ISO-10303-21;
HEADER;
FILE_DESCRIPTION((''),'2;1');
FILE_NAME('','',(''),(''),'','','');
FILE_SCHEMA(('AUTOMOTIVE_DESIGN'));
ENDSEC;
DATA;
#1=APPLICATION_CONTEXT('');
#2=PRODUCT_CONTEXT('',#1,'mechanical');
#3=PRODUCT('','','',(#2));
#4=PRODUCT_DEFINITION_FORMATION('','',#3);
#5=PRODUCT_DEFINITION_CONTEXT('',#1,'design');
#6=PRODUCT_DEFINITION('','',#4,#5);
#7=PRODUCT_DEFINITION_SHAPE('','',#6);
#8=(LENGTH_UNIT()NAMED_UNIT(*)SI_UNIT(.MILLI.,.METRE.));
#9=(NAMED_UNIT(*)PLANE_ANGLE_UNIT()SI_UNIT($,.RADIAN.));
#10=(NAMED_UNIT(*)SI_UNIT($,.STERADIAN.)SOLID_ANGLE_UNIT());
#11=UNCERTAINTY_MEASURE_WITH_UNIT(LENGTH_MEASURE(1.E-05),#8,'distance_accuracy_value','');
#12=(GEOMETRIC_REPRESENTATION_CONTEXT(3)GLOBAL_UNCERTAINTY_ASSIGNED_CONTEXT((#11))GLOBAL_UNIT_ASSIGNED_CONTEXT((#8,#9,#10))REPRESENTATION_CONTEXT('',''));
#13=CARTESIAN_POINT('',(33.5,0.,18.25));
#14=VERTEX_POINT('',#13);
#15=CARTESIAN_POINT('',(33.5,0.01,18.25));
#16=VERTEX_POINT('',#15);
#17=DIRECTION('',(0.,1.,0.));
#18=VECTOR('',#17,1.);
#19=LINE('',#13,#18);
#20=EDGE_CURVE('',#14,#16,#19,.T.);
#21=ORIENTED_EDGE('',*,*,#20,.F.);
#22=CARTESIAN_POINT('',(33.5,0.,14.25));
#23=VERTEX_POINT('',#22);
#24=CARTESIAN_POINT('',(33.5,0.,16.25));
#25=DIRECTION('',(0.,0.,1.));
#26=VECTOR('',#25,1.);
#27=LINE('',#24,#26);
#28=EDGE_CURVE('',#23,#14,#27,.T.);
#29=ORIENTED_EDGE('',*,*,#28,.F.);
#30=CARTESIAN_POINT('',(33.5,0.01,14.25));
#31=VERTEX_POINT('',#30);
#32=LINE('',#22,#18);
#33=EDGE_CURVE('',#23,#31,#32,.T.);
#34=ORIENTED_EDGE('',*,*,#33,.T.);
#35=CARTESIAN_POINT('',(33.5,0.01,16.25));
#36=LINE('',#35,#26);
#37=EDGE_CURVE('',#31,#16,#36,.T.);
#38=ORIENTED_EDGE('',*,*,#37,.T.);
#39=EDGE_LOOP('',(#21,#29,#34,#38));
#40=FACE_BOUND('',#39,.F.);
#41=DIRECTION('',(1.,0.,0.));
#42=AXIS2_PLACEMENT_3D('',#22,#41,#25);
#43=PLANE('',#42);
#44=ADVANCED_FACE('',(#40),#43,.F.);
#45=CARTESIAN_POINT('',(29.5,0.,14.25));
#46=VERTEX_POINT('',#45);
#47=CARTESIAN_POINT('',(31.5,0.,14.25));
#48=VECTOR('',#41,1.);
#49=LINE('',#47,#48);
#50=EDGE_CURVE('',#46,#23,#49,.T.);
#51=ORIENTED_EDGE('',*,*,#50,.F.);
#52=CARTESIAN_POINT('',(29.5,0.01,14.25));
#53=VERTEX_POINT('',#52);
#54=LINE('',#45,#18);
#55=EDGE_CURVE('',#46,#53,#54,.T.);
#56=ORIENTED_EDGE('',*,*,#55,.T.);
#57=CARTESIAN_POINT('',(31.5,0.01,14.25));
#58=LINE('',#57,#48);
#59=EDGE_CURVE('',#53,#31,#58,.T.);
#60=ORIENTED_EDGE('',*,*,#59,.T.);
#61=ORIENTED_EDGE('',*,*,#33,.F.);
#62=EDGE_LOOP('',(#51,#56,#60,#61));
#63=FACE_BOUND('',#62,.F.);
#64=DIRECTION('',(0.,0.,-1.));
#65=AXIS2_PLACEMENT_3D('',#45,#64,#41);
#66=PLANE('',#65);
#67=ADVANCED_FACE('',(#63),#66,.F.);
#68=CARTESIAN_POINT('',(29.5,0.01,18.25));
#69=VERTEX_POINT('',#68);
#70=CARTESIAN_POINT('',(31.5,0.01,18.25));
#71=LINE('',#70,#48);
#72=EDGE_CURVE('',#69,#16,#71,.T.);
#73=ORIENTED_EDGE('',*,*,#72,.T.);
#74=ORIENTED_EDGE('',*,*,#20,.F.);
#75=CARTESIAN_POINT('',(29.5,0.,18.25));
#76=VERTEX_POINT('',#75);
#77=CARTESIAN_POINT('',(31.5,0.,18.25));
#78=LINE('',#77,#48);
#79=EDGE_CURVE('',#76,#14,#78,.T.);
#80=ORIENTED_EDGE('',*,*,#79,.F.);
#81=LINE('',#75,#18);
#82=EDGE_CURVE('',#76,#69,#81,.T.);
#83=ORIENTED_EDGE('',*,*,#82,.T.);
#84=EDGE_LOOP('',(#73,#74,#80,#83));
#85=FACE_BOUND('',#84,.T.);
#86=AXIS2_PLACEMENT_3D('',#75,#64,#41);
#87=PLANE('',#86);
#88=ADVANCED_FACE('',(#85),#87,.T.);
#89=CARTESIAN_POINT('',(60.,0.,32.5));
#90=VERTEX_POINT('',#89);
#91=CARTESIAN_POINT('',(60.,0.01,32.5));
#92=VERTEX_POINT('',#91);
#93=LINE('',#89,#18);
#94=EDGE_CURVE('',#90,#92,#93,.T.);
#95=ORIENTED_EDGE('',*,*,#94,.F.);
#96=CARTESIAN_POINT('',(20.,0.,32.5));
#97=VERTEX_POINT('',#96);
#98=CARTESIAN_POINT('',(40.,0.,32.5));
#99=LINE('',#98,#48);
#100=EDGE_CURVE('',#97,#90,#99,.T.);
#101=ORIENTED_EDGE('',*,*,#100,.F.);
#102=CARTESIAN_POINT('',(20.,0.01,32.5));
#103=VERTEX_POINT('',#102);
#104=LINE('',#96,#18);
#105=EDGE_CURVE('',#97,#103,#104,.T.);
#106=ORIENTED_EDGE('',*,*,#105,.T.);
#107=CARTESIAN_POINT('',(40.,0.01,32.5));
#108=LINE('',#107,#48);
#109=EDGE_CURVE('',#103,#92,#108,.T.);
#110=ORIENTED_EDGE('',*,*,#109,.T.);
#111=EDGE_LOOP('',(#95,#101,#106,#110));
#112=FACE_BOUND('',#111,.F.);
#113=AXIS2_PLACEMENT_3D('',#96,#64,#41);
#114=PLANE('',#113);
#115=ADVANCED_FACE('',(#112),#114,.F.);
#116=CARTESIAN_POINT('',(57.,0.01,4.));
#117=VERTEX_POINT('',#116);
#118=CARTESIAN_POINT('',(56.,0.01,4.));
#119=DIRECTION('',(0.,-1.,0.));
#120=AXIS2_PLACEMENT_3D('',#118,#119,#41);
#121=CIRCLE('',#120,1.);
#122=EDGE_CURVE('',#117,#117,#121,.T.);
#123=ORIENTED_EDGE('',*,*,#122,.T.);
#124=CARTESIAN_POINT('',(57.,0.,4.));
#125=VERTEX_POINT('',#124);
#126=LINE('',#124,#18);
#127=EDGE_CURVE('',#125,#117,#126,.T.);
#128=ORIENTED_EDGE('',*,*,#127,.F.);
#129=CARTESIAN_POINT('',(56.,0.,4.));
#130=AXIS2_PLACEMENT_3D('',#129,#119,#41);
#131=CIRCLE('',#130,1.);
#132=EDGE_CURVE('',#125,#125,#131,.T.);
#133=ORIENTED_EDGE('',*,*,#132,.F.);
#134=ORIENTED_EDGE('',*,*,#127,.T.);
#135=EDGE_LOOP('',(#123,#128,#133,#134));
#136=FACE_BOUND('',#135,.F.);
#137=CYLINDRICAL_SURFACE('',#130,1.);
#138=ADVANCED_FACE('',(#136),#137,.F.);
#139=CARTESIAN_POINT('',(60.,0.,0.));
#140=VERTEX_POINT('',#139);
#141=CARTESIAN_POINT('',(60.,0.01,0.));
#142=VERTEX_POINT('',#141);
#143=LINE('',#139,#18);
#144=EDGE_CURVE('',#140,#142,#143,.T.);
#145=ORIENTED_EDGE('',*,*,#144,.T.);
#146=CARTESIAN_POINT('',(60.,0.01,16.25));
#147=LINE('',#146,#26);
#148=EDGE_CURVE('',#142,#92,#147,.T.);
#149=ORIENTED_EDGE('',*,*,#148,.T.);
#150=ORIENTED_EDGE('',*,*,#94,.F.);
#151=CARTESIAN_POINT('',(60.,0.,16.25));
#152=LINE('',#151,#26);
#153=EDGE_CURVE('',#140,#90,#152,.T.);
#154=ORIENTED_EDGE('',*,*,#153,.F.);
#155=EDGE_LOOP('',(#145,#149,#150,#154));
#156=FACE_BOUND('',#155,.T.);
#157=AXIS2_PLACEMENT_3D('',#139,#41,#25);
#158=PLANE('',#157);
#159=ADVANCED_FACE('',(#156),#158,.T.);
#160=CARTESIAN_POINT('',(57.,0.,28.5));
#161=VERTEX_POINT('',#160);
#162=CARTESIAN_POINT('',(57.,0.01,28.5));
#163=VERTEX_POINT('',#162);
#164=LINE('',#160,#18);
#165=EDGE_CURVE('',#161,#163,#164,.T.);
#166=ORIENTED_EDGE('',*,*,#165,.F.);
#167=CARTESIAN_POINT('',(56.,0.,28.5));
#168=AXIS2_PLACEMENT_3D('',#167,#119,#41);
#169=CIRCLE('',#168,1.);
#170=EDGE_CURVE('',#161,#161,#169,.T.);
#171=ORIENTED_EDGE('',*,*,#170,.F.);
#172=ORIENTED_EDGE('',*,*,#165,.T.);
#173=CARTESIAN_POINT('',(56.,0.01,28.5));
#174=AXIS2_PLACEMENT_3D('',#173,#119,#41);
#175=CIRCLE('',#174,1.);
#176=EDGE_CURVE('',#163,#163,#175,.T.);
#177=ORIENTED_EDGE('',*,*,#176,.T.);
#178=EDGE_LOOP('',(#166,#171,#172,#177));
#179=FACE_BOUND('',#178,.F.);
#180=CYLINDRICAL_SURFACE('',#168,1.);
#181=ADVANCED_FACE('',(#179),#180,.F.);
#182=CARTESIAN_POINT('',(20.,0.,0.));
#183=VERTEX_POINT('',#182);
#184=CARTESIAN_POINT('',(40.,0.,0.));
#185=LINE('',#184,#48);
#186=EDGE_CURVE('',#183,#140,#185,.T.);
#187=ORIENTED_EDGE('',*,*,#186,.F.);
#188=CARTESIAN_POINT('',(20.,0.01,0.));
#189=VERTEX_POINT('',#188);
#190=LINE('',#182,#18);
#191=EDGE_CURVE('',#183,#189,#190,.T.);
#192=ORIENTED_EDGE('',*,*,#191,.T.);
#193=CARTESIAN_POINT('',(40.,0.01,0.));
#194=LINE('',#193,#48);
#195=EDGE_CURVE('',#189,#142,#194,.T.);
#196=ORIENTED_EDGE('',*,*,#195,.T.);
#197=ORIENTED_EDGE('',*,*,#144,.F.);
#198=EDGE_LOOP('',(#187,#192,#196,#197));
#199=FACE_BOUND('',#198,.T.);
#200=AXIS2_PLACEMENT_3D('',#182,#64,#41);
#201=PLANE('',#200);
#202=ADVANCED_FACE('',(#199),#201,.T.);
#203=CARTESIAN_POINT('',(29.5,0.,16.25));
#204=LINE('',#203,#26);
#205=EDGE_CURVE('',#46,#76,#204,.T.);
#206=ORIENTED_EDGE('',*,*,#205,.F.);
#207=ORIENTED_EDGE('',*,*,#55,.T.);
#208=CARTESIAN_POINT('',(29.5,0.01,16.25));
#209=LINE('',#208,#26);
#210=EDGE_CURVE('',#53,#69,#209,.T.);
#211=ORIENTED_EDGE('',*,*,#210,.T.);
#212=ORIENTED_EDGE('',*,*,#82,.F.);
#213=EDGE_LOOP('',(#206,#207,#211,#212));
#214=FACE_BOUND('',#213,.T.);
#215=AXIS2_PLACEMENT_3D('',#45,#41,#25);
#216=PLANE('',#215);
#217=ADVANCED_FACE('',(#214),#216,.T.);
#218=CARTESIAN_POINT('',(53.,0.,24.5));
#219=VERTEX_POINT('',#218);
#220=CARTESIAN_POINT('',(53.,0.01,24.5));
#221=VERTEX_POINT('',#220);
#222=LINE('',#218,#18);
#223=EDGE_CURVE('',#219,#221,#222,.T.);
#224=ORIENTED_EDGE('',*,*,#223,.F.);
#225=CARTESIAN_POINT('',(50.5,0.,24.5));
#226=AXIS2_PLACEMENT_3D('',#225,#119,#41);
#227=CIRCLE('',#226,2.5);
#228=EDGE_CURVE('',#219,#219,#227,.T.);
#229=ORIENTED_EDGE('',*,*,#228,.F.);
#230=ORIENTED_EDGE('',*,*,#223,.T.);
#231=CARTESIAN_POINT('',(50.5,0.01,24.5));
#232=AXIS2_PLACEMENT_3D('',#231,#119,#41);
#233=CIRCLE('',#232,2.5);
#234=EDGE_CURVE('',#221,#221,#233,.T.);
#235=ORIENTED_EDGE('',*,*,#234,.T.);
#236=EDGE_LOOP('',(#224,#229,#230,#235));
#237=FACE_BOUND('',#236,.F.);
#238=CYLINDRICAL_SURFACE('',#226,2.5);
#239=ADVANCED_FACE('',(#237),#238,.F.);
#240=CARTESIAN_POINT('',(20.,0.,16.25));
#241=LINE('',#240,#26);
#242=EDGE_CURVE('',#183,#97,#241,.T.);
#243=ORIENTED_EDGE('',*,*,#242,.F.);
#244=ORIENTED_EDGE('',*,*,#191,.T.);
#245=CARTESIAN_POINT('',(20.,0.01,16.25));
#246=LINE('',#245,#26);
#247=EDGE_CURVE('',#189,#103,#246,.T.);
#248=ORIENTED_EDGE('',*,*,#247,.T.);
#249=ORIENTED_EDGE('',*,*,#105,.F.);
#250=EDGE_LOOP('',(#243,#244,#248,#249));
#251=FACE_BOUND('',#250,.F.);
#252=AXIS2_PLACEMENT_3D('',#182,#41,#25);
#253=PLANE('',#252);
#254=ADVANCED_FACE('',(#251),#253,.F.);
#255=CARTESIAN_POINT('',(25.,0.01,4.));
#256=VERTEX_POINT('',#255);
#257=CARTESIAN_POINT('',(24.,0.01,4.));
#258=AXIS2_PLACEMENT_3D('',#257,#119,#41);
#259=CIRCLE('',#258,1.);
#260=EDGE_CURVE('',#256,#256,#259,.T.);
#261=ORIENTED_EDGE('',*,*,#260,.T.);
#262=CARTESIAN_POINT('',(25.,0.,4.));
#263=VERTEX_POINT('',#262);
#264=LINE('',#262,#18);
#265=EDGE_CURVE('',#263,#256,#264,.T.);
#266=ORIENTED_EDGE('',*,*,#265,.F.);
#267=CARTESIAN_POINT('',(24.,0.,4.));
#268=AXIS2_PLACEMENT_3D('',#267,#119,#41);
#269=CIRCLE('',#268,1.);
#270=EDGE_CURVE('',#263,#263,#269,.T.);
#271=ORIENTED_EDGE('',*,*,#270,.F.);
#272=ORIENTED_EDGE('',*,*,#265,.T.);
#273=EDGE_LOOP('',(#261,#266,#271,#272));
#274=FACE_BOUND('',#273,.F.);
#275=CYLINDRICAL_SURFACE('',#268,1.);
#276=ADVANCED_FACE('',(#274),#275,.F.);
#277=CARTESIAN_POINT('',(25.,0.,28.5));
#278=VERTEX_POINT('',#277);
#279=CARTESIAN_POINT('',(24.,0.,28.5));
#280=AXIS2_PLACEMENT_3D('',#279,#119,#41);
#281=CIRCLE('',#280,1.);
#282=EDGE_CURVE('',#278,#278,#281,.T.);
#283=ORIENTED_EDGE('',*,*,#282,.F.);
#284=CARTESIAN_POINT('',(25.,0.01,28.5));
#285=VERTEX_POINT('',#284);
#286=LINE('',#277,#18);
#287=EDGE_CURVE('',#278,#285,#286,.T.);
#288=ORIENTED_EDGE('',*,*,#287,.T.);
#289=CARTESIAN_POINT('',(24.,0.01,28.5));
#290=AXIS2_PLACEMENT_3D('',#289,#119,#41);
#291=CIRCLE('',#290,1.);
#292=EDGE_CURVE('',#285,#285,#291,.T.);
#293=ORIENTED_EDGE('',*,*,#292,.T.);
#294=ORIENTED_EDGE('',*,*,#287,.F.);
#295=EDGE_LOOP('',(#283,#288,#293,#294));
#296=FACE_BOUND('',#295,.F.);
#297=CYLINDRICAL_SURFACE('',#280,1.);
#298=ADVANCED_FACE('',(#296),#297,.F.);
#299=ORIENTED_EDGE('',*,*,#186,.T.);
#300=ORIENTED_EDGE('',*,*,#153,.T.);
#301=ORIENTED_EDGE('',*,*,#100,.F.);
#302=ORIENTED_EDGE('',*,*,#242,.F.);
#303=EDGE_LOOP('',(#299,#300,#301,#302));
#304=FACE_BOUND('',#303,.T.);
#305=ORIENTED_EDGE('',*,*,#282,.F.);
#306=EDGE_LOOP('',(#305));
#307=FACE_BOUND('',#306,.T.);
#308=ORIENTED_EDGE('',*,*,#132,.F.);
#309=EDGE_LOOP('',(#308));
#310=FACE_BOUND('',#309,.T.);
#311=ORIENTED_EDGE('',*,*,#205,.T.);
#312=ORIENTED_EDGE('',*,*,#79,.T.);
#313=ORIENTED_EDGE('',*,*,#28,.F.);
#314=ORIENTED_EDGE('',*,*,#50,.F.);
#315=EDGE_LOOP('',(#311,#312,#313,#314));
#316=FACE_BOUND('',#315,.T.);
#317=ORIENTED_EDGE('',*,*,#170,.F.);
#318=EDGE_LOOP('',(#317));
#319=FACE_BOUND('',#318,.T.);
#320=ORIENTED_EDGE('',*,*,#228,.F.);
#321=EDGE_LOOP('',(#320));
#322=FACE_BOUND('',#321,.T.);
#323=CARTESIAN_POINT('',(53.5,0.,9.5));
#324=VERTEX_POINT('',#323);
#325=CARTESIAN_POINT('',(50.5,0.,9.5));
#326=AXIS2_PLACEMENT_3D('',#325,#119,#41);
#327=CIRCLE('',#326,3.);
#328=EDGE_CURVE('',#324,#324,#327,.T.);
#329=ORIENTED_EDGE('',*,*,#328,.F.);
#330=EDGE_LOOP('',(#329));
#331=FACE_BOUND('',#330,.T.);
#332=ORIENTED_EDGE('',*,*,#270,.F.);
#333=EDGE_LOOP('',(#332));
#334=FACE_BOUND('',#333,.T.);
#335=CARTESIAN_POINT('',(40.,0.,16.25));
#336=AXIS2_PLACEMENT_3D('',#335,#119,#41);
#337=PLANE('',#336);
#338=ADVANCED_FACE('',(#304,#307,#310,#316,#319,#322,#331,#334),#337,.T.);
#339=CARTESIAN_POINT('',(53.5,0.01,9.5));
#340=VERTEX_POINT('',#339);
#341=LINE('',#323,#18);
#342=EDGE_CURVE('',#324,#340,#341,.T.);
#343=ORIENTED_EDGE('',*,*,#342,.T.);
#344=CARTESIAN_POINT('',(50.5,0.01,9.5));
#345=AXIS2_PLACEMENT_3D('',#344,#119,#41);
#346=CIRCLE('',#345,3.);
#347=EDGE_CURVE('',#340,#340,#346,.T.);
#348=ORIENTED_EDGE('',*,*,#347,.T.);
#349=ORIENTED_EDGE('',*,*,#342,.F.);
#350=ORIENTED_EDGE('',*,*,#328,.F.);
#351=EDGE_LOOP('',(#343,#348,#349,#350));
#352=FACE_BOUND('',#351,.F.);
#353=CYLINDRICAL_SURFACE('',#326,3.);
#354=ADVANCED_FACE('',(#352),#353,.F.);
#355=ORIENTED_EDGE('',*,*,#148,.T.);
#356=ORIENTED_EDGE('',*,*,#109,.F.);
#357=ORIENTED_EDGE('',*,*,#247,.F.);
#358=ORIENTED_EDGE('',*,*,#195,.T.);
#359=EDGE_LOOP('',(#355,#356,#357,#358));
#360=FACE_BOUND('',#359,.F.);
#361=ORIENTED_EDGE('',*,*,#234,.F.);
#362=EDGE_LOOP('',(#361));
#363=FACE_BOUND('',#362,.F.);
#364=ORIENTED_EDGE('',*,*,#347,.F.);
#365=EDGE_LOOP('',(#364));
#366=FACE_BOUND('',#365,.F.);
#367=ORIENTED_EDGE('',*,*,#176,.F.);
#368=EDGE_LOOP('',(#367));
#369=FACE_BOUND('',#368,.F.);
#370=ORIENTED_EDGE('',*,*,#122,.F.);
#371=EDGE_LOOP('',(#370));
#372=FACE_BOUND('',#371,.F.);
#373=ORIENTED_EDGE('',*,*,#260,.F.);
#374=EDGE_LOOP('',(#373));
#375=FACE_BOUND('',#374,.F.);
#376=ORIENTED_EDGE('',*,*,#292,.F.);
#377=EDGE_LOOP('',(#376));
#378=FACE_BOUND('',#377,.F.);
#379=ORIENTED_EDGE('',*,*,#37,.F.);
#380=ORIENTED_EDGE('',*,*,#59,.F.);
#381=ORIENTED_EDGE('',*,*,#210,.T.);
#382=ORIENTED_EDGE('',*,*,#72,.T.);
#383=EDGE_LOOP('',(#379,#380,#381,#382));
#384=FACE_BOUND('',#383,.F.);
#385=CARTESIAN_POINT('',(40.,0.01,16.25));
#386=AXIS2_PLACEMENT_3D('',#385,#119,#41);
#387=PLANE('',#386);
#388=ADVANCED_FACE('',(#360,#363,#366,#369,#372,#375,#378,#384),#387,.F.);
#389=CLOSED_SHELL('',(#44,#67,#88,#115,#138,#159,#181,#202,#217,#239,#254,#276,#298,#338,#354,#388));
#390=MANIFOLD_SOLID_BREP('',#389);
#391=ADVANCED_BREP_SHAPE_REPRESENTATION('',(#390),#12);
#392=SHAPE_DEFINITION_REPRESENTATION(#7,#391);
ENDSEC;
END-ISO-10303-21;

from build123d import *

# Parameters (mm, degrees)
F0_W     = 40
F0_H     = 32.5
F0_R     = 1
F0_R_2   = 4.5
F0_R_3   = 3
F0_W_2   = 12
F0_H_2   = 12
F0_W_3   = 4
F0_H_3   = 4
F0_H_4   = 1.5
F0_R_4   = 2.5
F1_DEPTH = 0.01


with BuildPart() as f1:
    # F0 (on Front) → F1 (new body)
    with BuildSketch(Plane.XZ):
        with Locations((40, 16.25)):
            Rectangle(F0_W, F0_H)
        with Locations((24, 4)):
            Circle(F0_R, mode=Mode.SUBTRACT)
        with Locations((56, 4)):
            Circle(F0_R, mode=Mode.SUBTRACT)
        with Locations((50.5, 9.5)):
            Circle(F0_R_2, mode=Mode.SUBTRACT)
        Polygon((25.5, 10.25), (25.5, 22.25), (25.5, 23.75), (37.5, 23.75), (37.5, 22.25), (37.5, 10.25), (37.5, 8.75), (25.5, 8.75), align=None, mode=Mode.SUBTRACT)
        with Locations((24, 28.5)):
            Circle(F0_R, mode=Mode.SUBTRACT)
        with Locations((50.5, 24.5)):
            Circle(F0_R_3, mode=Mode.SUBTRACT)
        with Locations((56, 28.5)):
            Circle(F0_R, mode=Mode.SUBTRACT)
        with Locations((31.5, 16.25)):
            Rectangle(F0_W_2, F0_H_2)
        with Locations((31.5, 16.25)):
            Rectangle(F0_W_3, F0_H_3, mode=Mode.SUBTRACT)
        with Locations((31.5, 9.5)):
            Rectangle(F0_W_2, F0_H_4)
        with Locations((31.5, 23)):
            Rectangle(F0_W_2, F0_H_4)
        with Locations((50.5, 9.5)):
            Circle(F0_R_2)
        with Locations((50.5, 9.5)):
            Circle(F0_R_3, mode=Mode.SUBTRACT)
        with Locations((50.5, 24.5)):
            Circle(F0_R_3)
        with Locations((50.5, 24.5)):
            Circle(F0_R_4, mode=Mode.SUBTRACT)
    extrude(amount=-F1_DEPTH)


solid = f1.part
